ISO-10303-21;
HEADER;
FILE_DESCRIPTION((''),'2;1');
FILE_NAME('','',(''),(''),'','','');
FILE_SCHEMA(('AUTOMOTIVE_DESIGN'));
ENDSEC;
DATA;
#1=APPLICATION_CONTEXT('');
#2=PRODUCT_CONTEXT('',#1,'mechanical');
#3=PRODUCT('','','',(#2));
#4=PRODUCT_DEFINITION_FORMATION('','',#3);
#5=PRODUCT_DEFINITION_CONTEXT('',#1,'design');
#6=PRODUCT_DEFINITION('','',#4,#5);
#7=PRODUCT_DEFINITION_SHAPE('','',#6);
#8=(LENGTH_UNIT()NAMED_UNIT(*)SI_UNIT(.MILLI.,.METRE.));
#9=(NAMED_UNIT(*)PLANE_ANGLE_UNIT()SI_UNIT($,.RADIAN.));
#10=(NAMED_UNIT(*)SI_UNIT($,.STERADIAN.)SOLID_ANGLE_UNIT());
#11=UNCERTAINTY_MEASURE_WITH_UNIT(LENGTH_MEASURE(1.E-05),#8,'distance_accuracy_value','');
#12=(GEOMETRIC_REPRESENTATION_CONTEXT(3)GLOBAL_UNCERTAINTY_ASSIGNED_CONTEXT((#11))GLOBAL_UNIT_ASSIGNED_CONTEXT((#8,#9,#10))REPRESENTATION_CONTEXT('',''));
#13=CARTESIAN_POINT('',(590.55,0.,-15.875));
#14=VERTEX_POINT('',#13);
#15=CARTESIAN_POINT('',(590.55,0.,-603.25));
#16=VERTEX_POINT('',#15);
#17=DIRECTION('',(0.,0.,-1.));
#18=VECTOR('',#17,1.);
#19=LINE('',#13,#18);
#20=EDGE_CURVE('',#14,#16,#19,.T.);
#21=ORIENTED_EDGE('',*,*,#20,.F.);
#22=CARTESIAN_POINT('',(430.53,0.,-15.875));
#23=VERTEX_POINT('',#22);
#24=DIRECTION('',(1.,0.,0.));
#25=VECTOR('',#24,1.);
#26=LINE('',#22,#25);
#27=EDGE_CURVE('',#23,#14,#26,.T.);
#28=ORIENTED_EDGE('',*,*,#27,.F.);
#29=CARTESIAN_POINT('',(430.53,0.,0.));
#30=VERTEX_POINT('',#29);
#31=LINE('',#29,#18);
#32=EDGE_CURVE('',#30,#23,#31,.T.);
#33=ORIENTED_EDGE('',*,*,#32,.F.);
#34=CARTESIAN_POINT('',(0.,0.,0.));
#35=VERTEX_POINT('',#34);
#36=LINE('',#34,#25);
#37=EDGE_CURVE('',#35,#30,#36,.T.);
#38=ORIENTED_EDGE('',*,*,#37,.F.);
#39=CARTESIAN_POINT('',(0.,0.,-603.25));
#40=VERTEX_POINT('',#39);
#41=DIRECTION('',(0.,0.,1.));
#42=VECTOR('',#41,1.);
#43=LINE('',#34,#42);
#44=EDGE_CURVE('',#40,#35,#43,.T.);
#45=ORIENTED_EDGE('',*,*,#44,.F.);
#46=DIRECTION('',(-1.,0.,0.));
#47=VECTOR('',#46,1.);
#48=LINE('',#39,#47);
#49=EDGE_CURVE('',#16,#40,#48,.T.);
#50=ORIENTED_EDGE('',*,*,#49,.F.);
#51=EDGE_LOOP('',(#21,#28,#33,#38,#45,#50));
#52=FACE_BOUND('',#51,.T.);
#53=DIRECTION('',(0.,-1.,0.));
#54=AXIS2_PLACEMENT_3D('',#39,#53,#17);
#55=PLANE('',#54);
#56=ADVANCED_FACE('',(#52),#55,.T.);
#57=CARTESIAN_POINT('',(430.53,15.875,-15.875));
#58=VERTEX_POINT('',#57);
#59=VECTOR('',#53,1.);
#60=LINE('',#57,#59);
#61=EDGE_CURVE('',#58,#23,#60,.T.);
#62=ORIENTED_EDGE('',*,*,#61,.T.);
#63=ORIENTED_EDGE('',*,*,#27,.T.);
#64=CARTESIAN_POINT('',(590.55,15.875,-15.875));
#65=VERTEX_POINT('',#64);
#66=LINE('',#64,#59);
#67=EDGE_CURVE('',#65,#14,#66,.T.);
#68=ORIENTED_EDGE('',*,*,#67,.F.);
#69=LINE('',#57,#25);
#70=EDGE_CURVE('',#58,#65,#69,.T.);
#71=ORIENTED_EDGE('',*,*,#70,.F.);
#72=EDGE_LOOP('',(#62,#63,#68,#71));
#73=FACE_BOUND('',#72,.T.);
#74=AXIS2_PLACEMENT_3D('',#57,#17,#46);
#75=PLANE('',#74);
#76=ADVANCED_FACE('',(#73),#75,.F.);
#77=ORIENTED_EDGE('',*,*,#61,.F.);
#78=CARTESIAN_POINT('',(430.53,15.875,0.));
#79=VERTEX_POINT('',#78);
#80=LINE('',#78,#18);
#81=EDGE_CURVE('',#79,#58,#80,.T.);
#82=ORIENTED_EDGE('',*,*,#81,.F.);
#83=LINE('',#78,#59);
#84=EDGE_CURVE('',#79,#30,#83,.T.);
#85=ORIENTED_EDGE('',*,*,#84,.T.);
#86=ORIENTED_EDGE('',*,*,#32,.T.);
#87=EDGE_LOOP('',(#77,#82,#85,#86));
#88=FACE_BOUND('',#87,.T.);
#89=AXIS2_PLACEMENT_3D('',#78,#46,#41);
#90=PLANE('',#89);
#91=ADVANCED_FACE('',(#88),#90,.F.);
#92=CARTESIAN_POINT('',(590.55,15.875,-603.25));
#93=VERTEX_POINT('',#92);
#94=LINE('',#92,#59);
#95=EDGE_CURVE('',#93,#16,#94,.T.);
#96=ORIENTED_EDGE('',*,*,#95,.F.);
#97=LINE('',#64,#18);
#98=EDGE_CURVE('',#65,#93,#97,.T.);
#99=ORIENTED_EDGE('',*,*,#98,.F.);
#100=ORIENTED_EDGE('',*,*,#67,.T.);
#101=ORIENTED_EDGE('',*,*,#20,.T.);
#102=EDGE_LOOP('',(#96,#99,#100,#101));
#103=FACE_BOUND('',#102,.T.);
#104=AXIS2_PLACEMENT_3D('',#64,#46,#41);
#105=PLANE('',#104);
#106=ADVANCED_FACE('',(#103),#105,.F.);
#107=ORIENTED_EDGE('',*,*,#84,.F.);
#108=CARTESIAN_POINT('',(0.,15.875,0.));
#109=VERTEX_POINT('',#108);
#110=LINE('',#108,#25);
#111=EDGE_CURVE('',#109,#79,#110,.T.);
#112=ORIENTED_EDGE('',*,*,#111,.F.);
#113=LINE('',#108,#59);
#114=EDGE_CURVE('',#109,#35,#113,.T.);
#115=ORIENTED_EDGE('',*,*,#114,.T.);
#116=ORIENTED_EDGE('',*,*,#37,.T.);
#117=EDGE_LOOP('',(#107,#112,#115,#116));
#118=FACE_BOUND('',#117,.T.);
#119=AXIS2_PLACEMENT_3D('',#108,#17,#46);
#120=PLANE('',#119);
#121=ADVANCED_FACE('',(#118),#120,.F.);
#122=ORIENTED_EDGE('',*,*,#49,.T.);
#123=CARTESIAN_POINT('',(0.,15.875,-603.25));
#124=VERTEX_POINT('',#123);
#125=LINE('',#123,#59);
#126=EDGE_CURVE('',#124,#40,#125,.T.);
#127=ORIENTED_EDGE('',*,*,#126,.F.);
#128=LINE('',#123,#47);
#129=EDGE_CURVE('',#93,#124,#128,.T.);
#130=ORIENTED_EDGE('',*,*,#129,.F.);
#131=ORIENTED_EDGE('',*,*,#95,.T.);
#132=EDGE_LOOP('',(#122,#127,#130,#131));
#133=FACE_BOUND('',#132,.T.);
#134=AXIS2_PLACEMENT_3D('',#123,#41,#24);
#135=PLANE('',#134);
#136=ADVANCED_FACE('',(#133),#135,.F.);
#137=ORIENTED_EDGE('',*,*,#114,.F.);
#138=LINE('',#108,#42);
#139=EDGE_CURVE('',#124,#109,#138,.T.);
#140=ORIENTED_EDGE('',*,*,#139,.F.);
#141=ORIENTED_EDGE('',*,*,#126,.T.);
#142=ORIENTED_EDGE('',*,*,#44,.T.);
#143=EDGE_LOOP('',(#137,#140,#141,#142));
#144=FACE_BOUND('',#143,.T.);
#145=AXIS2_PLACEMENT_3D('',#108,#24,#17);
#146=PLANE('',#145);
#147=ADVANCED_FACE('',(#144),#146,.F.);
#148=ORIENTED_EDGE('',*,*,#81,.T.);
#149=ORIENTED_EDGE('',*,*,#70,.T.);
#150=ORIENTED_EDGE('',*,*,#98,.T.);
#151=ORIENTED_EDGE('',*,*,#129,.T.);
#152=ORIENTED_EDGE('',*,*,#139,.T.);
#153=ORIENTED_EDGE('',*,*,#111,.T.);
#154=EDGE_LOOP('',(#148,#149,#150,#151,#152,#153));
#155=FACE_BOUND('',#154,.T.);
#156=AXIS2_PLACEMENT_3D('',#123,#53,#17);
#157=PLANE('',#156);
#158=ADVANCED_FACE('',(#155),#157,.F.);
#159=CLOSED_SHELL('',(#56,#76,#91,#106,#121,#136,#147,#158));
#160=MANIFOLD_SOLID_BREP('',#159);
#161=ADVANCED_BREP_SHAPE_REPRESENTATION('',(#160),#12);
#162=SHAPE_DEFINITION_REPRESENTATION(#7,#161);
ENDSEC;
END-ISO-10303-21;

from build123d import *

# Parameters (mm, degrees)
BOSS_EXTRUDE1_DEPTH = 15.875


with BuildPart() as part:
    # Sketch1 → Boss-Extrude1 (new body)
    with BuildSketch(Plane(origin=(0, 0, 0), x_dir=(1, 0, 0), z_dir=(0, 1, 0))):
        Polygon((430.53, 0), (430.53, 15.875), (590.55, 15.875), (590.55, 603.25), (0, 603.25), (0, 0), align=None)
    extrude(amount=BOSS_EXTRUDE1_DEPTH)


solid = part.part
